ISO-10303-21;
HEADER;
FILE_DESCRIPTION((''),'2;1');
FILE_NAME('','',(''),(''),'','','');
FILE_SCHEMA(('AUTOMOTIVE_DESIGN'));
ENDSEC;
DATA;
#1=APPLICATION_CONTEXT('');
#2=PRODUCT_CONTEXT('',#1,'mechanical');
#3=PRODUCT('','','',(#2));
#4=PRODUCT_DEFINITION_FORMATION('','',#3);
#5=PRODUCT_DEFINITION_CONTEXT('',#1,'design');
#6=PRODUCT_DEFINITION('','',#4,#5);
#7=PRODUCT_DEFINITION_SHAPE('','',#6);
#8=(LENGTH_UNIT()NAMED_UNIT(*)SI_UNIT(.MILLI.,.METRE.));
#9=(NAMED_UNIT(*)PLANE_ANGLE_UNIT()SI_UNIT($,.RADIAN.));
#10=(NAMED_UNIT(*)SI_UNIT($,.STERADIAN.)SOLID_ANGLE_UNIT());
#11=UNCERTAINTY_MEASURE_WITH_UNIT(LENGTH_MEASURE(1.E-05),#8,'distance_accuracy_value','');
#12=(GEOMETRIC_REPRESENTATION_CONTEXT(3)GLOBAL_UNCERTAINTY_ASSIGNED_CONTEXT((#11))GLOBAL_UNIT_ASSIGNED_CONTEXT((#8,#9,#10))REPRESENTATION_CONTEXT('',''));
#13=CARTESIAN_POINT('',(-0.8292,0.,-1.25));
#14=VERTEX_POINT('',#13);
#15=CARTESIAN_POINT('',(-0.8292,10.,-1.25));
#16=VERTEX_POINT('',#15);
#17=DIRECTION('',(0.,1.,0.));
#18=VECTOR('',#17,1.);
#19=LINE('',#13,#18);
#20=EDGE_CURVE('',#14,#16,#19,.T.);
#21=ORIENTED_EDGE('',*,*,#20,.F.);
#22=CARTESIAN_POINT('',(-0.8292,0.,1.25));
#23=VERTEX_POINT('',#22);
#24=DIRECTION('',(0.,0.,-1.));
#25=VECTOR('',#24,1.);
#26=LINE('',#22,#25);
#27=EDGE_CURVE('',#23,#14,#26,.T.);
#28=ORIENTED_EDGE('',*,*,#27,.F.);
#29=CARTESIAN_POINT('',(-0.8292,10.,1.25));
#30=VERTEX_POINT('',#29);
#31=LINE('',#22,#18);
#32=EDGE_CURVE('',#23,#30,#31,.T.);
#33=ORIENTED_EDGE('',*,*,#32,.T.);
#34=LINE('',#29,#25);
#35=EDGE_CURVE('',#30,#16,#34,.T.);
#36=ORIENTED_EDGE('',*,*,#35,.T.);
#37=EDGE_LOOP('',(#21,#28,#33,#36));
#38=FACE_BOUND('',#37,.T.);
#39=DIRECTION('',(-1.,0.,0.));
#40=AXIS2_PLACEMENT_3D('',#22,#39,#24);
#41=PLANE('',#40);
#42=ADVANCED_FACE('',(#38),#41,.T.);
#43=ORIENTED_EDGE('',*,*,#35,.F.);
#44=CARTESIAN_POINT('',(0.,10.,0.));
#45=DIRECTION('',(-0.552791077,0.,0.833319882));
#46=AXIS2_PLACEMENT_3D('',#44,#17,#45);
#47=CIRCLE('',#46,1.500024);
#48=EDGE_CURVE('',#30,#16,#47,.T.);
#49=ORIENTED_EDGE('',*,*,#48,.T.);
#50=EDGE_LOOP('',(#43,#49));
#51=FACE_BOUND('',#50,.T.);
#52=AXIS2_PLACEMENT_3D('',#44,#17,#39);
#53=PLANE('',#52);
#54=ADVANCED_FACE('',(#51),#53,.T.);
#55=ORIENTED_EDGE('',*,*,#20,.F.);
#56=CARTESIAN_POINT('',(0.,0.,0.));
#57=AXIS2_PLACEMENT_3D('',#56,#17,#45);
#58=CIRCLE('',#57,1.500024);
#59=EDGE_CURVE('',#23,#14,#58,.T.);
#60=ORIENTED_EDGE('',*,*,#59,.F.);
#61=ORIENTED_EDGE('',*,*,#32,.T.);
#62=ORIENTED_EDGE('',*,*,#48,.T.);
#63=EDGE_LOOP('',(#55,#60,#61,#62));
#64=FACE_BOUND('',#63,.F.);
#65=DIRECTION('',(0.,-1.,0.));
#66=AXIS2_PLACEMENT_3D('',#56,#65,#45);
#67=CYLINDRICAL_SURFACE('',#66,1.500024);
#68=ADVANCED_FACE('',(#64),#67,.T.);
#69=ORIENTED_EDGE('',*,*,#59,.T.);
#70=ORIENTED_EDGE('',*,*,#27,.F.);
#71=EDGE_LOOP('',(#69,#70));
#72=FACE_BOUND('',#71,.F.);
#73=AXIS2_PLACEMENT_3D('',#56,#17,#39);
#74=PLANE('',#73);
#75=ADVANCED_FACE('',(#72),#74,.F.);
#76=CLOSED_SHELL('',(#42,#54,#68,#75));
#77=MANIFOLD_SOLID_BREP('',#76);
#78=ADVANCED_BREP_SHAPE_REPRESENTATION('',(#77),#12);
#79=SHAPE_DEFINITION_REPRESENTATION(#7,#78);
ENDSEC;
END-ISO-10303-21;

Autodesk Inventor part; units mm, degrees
ref_plane "YZ Plane" through (0, 0, 0) normal (1, 0, 0) x (0, 1, 0)
ref_plane "XZ Plane" through (0, 0, 0) normal (0, 1, 0) x (-1, 0, 0)
ref_plane "XY Plane" through (0, 0, 0) normal (0, 0, 1) x (1, 0, 0)
sketch "Sketch1" plane through (0, 0, 0) normal (0, 1, 0) x (-1, 0, 0)
  arc A0 (0.8292, 1.25) -> (0.8292, -1.25) centre (0, 0) ccw
  line L0 (0.8292, 1.25) -> (0.8292, -1.25)
  dimension "d0" = 3
  dimension "d1" = 2.5
extrude "Extrusion1" add sketch "Sketch1" along normal blind 10
properties part number "Encoder Shaft" material "Aluminum 6061"
